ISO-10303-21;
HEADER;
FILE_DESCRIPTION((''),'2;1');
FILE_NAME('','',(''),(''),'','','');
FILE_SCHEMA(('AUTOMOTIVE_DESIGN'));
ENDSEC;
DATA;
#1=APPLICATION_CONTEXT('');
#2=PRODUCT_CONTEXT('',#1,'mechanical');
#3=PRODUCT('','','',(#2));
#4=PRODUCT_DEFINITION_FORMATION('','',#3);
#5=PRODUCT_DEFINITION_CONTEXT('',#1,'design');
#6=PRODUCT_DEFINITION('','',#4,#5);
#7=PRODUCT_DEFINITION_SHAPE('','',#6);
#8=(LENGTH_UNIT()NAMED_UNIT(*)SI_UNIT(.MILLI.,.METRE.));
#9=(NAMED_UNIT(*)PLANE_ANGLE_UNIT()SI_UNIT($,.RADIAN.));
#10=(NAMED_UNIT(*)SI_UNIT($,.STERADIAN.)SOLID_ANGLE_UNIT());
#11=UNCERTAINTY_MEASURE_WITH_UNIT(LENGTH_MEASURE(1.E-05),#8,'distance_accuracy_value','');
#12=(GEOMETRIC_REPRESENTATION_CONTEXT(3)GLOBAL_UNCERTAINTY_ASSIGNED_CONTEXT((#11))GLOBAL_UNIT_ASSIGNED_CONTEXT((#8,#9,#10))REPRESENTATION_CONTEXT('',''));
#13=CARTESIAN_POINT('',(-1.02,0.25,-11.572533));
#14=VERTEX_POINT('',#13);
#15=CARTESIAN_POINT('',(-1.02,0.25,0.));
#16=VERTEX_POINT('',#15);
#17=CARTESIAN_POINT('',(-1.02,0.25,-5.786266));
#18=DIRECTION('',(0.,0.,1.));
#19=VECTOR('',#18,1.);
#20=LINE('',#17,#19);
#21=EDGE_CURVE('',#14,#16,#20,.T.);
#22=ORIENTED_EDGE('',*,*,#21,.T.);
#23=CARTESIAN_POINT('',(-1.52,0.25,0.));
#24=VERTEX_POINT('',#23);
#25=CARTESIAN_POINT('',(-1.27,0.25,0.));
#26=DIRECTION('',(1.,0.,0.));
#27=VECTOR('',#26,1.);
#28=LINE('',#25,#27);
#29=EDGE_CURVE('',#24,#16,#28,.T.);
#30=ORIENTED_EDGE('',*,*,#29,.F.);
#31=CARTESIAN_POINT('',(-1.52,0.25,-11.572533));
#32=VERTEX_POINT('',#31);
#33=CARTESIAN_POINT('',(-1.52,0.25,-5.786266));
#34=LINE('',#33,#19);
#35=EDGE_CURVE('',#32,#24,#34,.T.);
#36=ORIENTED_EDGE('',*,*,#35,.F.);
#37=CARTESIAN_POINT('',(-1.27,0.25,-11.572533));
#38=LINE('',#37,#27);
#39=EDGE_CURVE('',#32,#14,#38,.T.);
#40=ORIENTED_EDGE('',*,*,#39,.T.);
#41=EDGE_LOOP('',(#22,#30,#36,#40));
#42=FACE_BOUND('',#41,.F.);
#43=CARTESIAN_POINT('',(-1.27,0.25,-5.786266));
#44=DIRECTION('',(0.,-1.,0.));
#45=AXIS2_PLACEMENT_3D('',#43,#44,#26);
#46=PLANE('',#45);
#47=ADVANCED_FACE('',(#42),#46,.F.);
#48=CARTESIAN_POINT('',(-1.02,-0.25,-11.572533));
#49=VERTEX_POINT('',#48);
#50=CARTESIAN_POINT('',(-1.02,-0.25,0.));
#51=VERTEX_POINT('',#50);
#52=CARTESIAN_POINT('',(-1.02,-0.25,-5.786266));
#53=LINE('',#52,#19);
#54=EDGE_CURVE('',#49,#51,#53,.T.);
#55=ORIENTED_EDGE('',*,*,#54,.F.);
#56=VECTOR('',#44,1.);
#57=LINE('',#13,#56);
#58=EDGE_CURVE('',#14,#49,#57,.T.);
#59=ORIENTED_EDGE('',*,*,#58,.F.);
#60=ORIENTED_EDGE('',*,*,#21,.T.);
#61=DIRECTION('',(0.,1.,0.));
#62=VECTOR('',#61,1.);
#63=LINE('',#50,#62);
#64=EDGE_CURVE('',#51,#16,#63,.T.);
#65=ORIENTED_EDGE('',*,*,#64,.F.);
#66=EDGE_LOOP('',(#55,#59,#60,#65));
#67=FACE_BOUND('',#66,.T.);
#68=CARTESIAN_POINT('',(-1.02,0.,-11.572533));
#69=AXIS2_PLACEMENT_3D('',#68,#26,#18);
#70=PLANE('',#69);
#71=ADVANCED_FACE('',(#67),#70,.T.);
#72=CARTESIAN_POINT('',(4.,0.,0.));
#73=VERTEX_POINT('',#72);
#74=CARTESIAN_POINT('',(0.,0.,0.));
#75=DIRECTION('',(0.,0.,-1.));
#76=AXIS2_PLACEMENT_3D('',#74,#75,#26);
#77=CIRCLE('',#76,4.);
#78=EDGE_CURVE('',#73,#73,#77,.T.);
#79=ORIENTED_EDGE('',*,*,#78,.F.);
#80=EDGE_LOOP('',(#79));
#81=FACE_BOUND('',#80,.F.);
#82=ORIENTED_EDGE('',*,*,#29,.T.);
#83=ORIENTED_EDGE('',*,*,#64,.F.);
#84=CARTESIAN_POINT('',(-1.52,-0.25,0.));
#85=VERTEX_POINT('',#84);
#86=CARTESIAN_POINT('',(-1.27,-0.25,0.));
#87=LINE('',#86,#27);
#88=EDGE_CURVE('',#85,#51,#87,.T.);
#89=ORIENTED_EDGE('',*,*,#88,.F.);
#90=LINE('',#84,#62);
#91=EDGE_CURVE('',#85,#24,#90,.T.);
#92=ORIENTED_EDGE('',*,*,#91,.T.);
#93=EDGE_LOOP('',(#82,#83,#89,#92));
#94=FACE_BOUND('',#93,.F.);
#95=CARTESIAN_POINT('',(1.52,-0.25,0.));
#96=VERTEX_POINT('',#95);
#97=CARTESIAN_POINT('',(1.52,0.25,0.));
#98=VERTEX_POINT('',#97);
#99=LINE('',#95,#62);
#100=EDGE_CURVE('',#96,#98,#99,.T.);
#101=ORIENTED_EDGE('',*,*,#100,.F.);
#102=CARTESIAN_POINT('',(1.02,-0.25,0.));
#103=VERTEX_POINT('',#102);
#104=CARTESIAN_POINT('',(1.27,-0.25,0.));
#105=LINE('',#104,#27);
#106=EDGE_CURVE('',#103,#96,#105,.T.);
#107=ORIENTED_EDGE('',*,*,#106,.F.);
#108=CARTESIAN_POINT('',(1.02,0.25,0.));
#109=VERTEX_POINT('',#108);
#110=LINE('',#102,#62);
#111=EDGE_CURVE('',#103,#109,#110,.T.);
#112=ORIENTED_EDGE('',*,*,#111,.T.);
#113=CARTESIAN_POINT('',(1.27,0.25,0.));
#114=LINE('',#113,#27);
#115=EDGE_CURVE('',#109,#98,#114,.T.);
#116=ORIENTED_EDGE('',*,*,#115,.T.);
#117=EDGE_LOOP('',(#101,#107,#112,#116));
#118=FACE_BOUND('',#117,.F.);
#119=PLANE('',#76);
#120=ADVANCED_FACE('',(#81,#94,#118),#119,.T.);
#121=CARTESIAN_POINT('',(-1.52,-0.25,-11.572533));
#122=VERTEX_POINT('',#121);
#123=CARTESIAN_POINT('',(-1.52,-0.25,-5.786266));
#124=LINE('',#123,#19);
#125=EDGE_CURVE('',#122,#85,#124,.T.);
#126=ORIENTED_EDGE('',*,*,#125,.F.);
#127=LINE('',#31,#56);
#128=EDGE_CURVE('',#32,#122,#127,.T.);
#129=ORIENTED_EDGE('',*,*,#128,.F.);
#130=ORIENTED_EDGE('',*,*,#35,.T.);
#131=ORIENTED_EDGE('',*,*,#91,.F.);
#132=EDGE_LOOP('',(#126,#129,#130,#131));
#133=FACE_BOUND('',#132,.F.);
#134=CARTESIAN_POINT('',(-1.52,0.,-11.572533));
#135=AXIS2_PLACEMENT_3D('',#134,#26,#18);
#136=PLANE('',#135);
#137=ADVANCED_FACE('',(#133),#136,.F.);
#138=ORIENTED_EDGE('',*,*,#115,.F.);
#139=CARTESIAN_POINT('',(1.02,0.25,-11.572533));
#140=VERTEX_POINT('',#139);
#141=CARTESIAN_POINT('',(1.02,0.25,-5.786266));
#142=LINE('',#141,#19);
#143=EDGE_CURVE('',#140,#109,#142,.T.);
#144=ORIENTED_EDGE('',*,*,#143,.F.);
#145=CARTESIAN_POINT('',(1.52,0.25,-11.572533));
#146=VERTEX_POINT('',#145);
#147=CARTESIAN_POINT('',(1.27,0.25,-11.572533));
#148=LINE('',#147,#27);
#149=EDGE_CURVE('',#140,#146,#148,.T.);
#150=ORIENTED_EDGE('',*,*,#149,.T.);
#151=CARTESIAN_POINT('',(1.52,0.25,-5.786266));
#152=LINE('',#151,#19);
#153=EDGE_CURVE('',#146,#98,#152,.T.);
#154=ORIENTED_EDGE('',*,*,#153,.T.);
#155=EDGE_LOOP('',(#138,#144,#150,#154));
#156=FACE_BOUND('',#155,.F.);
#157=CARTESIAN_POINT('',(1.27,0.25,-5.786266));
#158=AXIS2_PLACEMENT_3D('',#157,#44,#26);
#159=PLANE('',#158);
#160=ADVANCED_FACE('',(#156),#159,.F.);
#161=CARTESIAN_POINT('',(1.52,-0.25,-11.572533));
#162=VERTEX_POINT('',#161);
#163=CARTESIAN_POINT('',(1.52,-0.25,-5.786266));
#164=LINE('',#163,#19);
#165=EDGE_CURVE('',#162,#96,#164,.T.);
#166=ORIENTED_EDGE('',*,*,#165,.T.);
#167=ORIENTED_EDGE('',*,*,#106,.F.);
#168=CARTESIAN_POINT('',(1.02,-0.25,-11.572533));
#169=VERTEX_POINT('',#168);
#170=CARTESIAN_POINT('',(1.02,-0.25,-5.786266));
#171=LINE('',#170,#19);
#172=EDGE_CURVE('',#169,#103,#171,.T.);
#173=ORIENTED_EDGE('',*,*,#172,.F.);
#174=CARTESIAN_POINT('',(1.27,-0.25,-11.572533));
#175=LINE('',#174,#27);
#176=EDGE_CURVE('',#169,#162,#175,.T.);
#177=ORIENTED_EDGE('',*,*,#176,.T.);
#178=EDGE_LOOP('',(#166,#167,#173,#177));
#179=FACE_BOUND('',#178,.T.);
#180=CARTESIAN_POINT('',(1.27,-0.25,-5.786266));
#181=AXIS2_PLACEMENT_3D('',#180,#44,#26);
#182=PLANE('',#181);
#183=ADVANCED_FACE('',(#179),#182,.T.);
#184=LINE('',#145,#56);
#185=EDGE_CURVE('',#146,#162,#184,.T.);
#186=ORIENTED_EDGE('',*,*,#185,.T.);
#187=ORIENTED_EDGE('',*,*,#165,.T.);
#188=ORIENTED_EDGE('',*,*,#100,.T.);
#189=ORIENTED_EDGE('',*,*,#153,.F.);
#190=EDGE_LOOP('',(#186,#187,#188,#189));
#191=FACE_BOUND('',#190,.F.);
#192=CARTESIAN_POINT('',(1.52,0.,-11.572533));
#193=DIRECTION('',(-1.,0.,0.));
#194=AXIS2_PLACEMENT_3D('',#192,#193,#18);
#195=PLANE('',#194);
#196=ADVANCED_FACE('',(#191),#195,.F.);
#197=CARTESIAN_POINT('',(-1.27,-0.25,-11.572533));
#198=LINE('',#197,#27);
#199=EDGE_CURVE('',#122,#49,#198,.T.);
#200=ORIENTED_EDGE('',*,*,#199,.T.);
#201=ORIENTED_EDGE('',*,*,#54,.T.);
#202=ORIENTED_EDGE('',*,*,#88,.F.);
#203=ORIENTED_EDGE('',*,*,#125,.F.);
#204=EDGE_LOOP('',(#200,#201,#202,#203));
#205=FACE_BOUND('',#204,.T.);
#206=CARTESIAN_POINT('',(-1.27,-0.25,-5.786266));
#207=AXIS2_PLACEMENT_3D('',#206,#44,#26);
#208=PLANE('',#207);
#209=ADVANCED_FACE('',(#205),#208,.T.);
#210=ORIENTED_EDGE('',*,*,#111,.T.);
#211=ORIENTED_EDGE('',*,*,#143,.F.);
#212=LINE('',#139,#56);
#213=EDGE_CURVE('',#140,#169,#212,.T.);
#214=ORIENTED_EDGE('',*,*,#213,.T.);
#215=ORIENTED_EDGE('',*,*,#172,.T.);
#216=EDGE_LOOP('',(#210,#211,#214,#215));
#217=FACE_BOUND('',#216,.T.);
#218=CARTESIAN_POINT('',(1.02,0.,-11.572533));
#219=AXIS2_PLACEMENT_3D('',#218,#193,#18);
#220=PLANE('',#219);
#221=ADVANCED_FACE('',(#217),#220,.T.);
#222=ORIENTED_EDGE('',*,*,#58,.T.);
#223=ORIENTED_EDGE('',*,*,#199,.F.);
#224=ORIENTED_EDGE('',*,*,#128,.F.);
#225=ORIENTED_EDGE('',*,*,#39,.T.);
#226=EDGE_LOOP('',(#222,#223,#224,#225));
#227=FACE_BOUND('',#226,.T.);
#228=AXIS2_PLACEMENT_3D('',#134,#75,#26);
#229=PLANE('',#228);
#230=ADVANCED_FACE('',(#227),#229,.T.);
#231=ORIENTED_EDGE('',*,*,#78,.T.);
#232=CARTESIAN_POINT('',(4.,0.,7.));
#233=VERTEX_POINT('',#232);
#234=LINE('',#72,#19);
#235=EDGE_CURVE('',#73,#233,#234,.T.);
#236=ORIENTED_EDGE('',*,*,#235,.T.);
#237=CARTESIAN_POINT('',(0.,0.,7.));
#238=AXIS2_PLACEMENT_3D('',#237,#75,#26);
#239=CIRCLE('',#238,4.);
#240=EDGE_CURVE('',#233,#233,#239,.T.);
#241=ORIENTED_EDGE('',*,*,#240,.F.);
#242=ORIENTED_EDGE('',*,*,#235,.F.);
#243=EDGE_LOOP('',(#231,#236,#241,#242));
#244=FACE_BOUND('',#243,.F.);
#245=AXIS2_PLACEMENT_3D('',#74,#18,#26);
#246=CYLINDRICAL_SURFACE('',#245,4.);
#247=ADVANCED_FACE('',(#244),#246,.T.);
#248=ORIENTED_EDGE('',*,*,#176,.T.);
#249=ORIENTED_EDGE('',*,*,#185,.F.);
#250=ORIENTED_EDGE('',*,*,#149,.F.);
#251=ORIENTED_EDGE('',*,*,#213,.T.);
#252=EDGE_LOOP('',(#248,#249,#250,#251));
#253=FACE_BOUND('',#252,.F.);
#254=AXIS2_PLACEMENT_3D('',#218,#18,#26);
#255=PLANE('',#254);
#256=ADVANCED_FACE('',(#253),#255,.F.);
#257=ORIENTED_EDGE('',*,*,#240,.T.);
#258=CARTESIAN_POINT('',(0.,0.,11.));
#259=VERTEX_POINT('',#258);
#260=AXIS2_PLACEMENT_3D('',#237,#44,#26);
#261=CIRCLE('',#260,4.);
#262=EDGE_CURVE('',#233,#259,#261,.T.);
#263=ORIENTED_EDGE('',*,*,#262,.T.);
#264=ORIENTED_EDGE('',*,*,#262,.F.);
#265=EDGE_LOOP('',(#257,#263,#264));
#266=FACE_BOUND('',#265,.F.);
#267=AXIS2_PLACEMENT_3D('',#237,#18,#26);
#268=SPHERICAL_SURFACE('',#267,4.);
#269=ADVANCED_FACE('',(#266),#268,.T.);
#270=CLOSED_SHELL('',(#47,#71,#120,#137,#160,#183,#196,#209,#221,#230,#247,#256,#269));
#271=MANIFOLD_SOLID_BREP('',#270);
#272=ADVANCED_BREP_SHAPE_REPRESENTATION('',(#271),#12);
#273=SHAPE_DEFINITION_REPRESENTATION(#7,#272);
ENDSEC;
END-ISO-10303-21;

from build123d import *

# Parameters (mm, degrees)
F2_W     = 0.5
F2_H     = 11.5725328927
F3_DEPTH = 0.25


with BuildPart() as f1:
    # F0 (on Front) → F1 (revolve)
    with BuildSketch(Plane.XZ):
        with BuildLine():
            Line((0, 11), (0, 0))
            Line((0, 0), (4, 0))
            Line((4, 0), (4, 7))
            ThreePointArc((4, 7), (2.8284271247, 9.8284271247), (0, 11))
        make_face()
    revolve(axis=Axis((0, 0, -1.8003873279), (0, 0, -1)))

    # F2 (on Front) → F3 (join, symmetric)
    with BuildSketch(Plane.XZ):
        with Locations((1.27, -5.7862664463)):
            Rectangle(F2_W, F2_H)
        with Locations((-1.27, -5.7862664463)):
            Rectangle(F2_W, F2_H)
    extrude(amount=F3_DEPTH, both=True)


solid = f1.part
